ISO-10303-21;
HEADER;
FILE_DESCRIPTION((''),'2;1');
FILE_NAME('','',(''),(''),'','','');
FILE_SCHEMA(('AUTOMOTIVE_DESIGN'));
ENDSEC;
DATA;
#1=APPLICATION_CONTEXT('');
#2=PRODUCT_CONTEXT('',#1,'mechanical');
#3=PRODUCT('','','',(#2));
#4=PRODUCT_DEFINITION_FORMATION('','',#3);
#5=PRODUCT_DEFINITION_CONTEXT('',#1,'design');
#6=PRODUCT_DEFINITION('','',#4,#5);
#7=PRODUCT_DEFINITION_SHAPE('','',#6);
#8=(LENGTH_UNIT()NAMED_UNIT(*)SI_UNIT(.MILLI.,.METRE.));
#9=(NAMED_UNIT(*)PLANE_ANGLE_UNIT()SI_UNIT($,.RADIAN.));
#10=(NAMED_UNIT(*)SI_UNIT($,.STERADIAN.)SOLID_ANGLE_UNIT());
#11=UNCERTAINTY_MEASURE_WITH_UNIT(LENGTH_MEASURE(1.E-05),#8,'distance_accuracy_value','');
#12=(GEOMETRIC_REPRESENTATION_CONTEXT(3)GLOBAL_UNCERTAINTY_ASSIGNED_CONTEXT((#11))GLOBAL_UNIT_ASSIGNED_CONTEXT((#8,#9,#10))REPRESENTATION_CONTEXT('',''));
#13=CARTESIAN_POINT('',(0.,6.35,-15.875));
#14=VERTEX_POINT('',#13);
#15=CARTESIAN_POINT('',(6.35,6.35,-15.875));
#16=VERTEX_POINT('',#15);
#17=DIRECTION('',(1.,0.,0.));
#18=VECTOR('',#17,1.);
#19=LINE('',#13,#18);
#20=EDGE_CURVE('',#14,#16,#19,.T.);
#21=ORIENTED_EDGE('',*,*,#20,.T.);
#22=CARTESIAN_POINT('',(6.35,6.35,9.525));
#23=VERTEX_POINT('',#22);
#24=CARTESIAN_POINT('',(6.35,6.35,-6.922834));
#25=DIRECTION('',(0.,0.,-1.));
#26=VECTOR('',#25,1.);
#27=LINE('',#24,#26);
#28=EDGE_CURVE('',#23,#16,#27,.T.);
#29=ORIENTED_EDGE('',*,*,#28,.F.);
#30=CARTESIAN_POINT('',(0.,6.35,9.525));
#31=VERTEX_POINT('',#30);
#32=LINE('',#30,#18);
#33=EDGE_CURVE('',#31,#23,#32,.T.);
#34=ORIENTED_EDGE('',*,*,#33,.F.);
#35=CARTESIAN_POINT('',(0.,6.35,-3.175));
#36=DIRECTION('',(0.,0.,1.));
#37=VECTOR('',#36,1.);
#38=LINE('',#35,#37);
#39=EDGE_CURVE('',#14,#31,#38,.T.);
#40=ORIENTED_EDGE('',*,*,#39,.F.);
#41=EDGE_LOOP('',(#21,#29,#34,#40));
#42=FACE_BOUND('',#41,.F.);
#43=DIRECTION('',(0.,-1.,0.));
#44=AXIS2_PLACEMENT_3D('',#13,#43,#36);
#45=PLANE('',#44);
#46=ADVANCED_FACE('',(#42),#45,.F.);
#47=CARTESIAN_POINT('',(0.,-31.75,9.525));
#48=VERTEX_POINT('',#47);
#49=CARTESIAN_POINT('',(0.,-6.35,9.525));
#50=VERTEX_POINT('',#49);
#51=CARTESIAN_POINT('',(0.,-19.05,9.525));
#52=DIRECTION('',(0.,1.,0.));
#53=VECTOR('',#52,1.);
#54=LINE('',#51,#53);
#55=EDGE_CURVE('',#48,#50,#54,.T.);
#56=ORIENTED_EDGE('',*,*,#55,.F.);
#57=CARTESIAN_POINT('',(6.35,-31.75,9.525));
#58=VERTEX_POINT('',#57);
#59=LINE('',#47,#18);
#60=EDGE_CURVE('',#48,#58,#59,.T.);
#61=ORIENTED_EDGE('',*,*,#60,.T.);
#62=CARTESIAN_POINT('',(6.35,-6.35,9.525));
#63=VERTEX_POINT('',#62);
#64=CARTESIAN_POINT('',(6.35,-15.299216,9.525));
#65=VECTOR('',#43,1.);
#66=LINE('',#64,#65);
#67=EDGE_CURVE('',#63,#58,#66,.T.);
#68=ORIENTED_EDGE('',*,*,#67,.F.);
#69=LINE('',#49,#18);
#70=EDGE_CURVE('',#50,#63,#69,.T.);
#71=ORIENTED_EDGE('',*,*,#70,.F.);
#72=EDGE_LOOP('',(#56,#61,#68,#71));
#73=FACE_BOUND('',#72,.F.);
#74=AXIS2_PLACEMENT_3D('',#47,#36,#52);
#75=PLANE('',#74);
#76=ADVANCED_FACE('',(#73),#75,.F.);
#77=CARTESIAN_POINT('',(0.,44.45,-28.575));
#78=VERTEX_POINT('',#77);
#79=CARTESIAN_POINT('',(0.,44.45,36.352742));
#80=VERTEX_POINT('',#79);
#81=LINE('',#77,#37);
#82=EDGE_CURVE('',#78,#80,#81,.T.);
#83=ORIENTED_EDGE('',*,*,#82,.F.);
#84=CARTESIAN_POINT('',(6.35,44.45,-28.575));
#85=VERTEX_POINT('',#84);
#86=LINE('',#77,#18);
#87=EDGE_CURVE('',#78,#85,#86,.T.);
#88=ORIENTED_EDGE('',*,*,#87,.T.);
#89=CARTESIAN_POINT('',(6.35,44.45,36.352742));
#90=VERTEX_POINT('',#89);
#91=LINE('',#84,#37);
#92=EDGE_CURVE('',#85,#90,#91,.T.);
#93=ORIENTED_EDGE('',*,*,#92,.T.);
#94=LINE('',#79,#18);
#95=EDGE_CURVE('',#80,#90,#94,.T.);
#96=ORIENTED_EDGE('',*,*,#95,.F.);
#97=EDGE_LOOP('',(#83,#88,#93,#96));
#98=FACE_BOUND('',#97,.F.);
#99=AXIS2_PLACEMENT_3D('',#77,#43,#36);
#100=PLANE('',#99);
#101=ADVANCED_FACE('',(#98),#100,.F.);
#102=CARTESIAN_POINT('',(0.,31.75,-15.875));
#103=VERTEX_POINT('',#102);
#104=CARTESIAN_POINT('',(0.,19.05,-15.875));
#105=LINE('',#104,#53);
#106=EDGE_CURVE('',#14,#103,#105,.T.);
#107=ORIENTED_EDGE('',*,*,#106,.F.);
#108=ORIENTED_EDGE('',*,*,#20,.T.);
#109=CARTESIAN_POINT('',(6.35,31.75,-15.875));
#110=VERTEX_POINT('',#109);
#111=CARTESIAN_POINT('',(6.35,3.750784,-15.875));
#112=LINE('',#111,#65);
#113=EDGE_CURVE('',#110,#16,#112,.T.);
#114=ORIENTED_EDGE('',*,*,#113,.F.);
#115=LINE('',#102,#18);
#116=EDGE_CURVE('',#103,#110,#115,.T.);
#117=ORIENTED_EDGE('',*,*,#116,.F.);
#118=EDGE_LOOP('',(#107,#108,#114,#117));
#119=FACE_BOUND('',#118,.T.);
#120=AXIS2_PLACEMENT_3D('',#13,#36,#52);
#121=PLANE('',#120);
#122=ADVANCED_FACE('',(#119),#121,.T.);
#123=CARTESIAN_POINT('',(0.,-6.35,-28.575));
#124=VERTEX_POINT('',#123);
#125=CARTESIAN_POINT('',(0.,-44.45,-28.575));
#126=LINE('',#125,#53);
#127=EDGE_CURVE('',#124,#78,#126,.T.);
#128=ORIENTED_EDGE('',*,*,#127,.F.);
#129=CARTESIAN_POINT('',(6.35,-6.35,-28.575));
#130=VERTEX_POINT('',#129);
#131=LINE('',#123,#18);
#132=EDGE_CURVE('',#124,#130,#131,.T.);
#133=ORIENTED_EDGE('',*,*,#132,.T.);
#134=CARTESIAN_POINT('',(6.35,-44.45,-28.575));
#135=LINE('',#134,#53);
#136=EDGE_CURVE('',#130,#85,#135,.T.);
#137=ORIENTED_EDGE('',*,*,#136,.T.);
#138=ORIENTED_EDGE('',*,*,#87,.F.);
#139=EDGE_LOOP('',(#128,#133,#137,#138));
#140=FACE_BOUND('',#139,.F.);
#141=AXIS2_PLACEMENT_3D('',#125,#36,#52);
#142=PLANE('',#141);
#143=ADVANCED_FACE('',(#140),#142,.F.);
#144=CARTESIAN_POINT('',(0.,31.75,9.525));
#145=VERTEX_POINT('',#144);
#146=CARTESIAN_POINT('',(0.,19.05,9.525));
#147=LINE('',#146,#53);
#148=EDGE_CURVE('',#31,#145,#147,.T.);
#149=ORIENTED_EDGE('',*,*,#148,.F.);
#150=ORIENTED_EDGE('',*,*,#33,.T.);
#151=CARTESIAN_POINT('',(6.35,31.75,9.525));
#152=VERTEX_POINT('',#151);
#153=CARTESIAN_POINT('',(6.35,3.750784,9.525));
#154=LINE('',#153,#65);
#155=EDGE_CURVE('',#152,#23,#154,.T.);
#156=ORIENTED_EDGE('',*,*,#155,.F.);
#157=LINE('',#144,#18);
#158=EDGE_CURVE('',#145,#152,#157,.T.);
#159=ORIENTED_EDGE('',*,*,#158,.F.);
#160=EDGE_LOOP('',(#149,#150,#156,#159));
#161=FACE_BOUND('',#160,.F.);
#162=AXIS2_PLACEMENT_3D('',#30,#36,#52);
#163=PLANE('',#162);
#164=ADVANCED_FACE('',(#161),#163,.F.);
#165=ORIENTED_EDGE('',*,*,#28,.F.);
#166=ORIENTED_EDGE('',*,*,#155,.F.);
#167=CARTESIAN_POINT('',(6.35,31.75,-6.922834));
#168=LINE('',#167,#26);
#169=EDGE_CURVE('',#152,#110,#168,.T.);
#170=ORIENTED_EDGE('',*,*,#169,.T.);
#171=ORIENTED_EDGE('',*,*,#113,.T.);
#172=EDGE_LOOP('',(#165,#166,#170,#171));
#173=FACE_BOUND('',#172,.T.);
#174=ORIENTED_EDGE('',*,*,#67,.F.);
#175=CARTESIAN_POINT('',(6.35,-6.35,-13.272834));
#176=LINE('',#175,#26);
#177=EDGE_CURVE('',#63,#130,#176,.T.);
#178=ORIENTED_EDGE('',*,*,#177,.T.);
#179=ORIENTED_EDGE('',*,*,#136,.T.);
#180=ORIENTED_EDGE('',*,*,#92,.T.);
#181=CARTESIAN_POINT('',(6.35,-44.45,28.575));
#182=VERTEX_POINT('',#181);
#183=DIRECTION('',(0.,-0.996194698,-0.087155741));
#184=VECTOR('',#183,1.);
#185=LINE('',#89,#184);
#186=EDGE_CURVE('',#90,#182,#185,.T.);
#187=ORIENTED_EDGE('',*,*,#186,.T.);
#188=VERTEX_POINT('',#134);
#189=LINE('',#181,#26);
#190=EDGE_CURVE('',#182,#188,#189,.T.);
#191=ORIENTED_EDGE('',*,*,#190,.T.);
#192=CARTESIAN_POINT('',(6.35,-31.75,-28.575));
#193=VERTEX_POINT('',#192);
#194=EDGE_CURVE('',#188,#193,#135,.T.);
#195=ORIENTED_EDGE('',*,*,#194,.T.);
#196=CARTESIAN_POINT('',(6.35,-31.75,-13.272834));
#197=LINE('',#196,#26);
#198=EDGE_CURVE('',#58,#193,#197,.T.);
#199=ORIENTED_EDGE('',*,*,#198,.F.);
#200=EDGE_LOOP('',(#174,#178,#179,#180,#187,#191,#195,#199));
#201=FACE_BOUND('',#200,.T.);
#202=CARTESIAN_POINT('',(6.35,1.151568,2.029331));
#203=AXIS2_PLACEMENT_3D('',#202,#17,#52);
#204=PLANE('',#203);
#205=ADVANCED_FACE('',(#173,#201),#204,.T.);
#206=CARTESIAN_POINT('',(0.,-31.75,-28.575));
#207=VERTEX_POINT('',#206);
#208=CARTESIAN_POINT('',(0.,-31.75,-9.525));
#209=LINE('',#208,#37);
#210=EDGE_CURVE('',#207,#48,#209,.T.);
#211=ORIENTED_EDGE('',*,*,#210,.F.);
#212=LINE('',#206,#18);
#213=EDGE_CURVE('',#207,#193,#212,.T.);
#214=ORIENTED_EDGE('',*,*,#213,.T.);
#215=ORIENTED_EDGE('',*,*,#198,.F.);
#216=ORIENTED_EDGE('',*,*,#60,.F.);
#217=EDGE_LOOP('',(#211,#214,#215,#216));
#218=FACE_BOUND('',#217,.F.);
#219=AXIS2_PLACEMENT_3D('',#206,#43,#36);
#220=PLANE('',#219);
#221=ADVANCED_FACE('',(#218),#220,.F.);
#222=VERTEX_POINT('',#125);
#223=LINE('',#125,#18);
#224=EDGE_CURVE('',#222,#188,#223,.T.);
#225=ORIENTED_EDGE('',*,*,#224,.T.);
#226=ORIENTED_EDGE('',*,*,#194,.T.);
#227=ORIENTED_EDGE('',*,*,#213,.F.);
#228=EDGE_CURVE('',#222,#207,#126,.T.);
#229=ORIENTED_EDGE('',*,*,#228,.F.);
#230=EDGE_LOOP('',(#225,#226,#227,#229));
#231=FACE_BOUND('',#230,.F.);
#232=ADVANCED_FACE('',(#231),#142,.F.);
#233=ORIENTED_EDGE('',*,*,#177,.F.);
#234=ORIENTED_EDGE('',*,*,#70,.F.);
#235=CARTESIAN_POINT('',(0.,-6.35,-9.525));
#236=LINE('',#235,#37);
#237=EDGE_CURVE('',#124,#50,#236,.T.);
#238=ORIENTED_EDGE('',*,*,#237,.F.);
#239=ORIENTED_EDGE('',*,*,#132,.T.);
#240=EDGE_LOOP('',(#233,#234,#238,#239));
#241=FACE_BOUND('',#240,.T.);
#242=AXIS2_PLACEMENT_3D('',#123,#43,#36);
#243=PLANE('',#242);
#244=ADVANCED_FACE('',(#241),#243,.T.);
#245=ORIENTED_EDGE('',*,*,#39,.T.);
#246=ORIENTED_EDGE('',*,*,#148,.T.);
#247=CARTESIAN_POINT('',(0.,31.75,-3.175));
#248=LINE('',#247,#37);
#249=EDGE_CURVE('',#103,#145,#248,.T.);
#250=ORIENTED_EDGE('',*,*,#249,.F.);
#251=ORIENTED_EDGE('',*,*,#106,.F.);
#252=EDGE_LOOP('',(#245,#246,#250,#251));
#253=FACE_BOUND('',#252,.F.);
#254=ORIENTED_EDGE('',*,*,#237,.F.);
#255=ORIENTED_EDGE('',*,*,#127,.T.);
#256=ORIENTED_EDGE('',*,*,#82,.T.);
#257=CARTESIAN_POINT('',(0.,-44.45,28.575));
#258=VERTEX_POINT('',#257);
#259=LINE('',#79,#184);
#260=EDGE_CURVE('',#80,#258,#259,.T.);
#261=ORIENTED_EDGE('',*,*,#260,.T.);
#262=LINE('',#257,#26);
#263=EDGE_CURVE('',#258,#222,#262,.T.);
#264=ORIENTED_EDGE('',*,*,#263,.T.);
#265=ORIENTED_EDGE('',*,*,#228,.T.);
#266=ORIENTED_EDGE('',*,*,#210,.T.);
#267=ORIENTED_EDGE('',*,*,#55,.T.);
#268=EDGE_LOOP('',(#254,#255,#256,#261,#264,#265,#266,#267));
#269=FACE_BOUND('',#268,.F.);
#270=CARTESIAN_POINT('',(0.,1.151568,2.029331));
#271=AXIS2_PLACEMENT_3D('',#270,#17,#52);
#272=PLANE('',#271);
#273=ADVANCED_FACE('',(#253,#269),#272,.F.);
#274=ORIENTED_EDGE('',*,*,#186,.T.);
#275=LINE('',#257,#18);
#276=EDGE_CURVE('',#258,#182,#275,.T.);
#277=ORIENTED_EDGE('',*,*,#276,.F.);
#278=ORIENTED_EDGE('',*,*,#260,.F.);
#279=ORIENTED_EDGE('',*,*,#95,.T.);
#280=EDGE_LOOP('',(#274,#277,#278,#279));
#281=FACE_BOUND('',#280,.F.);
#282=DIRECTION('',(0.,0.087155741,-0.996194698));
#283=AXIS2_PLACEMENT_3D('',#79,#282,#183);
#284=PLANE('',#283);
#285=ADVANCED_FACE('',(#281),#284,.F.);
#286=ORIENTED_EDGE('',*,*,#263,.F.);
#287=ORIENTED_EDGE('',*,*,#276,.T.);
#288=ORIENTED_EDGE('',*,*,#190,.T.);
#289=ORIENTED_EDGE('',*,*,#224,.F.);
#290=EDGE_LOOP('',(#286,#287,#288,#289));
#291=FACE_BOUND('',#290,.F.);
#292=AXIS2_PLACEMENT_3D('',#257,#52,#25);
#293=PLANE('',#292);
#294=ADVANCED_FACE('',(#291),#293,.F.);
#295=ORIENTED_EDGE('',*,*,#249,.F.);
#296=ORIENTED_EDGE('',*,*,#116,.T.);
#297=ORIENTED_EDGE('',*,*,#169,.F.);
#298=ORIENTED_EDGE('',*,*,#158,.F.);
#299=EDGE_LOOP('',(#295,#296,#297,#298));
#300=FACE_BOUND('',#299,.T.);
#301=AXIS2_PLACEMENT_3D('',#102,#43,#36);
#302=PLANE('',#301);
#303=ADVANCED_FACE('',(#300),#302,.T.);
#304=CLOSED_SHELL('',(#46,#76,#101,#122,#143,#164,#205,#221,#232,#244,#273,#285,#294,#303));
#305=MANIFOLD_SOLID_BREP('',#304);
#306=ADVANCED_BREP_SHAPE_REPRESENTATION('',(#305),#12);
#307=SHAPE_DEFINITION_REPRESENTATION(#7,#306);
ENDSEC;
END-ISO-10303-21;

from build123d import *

# Parameters (mm, degrees)
F1_DEPTH = 6.35
F2_W     = 25.4
F2_H     = 38.1
F2_H_2   = 25.4
F3_DEPTH = 6.351


with BuildPart() as f1:
    # F0 (on Right) → F1 (new body)
    with BuildSketch(Plane.YZ):
        Polygon((-44.45, 28.575), (-44.45, -28.575), (44.45, -28.575), (44.45, 28.575), (44.45, 36.352742), align=None)
    extrude(amount=F1_DEPTH)

    # F2 (on Right) → F3 (cut, through all)
    with BuildSketch(Plane.YZ):
        with Locations((-19.05, -9.525)):
            Rectangle(F2_W, F2_H)
        with Locations((19.05, -3.175)):
            Rectangle(F2_W, F2_H_2)
    extrude(amount=F3_DEPTH, mode=Mode.SUBTRACT)


solid = f1.part
